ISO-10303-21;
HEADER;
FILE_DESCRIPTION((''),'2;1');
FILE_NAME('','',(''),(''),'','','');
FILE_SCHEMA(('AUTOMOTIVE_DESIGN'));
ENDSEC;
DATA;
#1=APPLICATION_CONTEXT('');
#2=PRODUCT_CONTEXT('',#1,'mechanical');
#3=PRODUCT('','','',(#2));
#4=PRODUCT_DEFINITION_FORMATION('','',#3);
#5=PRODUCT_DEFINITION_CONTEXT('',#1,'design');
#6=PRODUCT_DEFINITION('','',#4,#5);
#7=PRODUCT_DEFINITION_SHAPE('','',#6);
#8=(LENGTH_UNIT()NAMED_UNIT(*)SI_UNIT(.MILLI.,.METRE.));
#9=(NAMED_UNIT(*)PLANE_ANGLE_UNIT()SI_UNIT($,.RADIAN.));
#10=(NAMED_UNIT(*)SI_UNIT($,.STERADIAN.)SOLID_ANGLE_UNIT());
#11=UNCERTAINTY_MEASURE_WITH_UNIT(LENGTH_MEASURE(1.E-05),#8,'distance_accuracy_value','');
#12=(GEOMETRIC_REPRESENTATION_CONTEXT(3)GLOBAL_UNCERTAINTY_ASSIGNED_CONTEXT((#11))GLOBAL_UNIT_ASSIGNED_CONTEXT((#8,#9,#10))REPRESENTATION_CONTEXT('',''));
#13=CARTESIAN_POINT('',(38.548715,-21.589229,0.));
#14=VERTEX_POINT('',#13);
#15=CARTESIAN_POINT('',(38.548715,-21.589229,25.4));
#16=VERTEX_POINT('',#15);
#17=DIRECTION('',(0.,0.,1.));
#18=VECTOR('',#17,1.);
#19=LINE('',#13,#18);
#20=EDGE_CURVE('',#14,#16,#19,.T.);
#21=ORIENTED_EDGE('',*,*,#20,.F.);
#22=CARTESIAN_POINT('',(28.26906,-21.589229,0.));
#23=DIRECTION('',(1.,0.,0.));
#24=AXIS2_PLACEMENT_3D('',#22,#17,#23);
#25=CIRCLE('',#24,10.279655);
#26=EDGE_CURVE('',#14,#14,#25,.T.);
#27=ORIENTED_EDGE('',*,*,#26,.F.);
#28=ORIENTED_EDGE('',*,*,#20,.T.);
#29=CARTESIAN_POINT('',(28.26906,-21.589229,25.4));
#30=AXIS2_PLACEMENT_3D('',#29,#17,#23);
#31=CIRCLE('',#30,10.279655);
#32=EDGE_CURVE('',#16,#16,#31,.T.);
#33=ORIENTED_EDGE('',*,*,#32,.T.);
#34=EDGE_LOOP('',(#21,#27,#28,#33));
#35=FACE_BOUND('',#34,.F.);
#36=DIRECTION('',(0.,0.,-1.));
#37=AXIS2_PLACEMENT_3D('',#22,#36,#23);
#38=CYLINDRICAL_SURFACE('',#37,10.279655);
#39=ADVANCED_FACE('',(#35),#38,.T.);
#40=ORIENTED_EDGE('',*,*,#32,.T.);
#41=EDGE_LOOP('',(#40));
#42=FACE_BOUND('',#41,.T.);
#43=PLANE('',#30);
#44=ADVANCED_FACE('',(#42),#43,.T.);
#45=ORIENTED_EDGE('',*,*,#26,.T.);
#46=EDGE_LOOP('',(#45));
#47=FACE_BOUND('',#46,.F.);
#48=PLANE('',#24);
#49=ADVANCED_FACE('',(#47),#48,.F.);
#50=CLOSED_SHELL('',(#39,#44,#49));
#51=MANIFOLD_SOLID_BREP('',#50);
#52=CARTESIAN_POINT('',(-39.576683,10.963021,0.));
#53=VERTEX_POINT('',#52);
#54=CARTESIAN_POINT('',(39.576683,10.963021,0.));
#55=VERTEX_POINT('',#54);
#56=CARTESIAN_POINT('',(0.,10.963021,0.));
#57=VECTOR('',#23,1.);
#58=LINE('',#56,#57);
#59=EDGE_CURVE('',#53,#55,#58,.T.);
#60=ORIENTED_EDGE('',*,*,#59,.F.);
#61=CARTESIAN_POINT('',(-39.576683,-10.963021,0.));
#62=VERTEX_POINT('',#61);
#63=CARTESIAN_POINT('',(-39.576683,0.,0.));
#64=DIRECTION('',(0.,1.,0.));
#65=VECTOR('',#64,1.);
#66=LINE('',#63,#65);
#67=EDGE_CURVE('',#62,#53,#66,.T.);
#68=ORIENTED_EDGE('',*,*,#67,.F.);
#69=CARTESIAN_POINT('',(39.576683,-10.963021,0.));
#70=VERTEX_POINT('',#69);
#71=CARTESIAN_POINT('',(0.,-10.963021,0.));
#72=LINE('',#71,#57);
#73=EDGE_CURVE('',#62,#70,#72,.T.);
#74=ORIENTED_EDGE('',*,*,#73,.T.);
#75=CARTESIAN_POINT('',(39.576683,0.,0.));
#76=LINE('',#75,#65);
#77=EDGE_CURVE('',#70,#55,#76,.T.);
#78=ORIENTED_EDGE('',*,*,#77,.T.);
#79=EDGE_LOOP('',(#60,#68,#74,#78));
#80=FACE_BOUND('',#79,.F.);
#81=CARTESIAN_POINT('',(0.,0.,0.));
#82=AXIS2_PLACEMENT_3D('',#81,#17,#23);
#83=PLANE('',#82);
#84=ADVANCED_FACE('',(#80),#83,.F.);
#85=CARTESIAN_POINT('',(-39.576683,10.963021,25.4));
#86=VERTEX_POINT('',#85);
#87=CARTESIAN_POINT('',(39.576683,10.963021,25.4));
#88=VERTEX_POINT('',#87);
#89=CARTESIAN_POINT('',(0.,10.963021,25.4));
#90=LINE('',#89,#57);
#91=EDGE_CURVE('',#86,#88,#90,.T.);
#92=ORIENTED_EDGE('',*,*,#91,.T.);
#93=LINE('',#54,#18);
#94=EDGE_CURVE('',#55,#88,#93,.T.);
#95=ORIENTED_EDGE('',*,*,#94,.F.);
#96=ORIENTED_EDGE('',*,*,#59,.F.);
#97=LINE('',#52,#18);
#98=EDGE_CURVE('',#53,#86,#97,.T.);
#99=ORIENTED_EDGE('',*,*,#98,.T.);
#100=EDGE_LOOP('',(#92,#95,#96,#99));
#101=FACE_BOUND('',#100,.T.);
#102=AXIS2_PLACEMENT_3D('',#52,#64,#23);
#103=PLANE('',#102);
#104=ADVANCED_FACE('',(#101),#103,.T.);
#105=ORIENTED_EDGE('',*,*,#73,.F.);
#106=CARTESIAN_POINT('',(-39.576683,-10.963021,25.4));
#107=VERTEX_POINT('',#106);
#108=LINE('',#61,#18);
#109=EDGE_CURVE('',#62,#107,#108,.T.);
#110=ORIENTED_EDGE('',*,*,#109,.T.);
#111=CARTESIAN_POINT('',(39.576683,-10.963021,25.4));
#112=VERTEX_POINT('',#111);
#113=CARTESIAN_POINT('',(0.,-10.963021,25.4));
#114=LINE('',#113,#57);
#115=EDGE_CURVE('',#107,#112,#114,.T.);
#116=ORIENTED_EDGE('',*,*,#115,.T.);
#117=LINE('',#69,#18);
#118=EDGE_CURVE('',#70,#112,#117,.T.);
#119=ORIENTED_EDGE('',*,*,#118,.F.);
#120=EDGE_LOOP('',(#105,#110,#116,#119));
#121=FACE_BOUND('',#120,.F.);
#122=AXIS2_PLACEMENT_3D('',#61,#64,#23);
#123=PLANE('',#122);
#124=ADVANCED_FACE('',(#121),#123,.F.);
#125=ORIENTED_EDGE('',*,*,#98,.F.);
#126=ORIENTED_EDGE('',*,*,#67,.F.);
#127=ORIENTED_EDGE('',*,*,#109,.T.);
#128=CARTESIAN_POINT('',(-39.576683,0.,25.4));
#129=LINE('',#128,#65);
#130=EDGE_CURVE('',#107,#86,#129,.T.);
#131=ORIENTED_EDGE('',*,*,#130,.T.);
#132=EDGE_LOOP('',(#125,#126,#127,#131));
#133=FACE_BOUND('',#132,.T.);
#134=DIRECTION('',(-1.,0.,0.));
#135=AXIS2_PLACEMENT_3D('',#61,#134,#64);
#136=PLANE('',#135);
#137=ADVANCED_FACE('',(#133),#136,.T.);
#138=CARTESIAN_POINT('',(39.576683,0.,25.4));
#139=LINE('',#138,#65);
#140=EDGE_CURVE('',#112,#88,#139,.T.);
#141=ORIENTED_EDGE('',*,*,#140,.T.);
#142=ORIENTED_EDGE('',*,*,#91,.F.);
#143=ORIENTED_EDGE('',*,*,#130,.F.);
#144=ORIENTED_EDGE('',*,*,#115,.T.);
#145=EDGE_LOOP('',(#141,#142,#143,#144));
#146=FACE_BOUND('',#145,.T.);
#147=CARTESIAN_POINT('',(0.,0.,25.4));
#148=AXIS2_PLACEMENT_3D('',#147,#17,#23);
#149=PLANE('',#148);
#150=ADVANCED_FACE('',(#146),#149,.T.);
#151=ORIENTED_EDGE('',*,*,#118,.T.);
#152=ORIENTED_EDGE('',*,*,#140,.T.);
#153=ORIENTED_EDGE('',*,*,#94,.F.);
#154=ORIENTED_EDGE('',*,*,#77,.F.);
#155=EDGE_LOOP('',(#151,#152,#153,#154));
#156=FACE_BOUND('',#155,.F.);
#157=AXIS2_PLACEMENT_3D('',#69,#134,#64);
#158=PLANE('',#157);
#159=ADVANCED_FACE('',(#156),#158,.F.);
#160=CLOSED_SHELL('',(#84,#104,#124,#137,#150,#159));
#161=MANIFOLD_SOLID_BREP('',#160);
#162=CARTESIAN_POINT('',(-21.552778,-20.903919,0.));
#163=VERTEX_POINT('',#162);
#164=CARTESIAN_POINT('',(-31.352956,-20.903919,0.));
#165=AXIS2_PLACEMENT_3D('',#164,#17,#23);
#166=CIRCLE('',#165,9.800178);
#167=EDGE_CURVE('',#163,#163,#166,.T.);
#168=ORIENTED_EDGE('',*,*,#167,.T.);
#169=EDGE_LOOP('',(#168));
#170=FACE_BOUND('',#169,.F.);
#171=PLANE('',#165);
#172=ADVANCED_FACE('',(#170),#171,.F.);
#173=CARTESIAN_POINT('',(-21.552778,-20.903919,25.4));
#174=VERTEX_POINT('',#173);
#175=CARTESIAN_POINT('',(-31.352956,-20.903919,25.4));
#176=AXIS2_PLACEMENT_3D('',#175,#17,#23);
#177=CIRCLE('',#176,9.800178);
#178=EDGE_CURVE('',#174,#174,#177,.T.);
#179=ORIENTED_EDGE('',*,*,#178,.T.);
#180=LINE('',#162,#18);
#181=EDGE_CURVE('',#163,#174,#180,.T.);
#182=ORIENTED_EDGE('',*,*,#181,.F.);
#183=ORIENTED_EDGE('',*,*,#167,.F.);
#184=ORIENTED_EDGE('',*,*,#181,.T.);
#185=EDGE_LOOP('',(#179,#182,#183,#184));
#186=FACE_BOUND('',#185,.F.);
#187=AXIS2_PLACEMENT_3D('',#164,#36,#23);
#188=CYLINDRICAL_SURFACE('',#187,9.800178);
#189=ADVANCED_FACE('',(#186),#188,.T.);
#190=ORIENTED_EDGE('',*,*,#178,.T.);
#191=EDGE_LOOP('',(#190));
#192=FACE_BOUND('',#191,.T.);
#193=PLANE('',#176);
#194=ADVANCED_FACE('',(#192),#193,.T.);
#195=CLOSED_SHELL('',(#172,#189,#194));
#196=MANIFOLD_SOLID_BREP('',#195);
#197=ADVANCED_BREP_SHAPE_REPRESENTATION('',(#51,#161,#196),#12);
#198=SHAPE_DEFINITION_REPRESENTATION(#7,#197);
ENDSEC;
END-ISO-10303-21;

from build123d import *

# Parameters (mm, degrees)
F0_W     = 79.153366
F0_H     = 21.926042
F1_DEPTH = 25.4
F2_R     = 9.800178
F2_R_2   = 10.279655
F3_DEPTH = 25.4


with BuildPart() as f1:
    # F0 (on Top) → F1 (new body)
    with BuildSketch(Plane.XY):
        Rectangle(F0_W, F0_H)
    extrude(amount=F1_DEPTH)


with BuildPart() as f3:
    # F2 (on Top) → F3 (new body)
    with BuildSketch(Plane.XY):
        with Locations((-31.352956, -20.903919)):
            Circle(F2_R)
        with Locations((28.26906, -21.589229)):
            Circle(F2_R_2)
    extrude(amount=F3_DEPTH)


solid = Compound([f1.part, f3.part])
